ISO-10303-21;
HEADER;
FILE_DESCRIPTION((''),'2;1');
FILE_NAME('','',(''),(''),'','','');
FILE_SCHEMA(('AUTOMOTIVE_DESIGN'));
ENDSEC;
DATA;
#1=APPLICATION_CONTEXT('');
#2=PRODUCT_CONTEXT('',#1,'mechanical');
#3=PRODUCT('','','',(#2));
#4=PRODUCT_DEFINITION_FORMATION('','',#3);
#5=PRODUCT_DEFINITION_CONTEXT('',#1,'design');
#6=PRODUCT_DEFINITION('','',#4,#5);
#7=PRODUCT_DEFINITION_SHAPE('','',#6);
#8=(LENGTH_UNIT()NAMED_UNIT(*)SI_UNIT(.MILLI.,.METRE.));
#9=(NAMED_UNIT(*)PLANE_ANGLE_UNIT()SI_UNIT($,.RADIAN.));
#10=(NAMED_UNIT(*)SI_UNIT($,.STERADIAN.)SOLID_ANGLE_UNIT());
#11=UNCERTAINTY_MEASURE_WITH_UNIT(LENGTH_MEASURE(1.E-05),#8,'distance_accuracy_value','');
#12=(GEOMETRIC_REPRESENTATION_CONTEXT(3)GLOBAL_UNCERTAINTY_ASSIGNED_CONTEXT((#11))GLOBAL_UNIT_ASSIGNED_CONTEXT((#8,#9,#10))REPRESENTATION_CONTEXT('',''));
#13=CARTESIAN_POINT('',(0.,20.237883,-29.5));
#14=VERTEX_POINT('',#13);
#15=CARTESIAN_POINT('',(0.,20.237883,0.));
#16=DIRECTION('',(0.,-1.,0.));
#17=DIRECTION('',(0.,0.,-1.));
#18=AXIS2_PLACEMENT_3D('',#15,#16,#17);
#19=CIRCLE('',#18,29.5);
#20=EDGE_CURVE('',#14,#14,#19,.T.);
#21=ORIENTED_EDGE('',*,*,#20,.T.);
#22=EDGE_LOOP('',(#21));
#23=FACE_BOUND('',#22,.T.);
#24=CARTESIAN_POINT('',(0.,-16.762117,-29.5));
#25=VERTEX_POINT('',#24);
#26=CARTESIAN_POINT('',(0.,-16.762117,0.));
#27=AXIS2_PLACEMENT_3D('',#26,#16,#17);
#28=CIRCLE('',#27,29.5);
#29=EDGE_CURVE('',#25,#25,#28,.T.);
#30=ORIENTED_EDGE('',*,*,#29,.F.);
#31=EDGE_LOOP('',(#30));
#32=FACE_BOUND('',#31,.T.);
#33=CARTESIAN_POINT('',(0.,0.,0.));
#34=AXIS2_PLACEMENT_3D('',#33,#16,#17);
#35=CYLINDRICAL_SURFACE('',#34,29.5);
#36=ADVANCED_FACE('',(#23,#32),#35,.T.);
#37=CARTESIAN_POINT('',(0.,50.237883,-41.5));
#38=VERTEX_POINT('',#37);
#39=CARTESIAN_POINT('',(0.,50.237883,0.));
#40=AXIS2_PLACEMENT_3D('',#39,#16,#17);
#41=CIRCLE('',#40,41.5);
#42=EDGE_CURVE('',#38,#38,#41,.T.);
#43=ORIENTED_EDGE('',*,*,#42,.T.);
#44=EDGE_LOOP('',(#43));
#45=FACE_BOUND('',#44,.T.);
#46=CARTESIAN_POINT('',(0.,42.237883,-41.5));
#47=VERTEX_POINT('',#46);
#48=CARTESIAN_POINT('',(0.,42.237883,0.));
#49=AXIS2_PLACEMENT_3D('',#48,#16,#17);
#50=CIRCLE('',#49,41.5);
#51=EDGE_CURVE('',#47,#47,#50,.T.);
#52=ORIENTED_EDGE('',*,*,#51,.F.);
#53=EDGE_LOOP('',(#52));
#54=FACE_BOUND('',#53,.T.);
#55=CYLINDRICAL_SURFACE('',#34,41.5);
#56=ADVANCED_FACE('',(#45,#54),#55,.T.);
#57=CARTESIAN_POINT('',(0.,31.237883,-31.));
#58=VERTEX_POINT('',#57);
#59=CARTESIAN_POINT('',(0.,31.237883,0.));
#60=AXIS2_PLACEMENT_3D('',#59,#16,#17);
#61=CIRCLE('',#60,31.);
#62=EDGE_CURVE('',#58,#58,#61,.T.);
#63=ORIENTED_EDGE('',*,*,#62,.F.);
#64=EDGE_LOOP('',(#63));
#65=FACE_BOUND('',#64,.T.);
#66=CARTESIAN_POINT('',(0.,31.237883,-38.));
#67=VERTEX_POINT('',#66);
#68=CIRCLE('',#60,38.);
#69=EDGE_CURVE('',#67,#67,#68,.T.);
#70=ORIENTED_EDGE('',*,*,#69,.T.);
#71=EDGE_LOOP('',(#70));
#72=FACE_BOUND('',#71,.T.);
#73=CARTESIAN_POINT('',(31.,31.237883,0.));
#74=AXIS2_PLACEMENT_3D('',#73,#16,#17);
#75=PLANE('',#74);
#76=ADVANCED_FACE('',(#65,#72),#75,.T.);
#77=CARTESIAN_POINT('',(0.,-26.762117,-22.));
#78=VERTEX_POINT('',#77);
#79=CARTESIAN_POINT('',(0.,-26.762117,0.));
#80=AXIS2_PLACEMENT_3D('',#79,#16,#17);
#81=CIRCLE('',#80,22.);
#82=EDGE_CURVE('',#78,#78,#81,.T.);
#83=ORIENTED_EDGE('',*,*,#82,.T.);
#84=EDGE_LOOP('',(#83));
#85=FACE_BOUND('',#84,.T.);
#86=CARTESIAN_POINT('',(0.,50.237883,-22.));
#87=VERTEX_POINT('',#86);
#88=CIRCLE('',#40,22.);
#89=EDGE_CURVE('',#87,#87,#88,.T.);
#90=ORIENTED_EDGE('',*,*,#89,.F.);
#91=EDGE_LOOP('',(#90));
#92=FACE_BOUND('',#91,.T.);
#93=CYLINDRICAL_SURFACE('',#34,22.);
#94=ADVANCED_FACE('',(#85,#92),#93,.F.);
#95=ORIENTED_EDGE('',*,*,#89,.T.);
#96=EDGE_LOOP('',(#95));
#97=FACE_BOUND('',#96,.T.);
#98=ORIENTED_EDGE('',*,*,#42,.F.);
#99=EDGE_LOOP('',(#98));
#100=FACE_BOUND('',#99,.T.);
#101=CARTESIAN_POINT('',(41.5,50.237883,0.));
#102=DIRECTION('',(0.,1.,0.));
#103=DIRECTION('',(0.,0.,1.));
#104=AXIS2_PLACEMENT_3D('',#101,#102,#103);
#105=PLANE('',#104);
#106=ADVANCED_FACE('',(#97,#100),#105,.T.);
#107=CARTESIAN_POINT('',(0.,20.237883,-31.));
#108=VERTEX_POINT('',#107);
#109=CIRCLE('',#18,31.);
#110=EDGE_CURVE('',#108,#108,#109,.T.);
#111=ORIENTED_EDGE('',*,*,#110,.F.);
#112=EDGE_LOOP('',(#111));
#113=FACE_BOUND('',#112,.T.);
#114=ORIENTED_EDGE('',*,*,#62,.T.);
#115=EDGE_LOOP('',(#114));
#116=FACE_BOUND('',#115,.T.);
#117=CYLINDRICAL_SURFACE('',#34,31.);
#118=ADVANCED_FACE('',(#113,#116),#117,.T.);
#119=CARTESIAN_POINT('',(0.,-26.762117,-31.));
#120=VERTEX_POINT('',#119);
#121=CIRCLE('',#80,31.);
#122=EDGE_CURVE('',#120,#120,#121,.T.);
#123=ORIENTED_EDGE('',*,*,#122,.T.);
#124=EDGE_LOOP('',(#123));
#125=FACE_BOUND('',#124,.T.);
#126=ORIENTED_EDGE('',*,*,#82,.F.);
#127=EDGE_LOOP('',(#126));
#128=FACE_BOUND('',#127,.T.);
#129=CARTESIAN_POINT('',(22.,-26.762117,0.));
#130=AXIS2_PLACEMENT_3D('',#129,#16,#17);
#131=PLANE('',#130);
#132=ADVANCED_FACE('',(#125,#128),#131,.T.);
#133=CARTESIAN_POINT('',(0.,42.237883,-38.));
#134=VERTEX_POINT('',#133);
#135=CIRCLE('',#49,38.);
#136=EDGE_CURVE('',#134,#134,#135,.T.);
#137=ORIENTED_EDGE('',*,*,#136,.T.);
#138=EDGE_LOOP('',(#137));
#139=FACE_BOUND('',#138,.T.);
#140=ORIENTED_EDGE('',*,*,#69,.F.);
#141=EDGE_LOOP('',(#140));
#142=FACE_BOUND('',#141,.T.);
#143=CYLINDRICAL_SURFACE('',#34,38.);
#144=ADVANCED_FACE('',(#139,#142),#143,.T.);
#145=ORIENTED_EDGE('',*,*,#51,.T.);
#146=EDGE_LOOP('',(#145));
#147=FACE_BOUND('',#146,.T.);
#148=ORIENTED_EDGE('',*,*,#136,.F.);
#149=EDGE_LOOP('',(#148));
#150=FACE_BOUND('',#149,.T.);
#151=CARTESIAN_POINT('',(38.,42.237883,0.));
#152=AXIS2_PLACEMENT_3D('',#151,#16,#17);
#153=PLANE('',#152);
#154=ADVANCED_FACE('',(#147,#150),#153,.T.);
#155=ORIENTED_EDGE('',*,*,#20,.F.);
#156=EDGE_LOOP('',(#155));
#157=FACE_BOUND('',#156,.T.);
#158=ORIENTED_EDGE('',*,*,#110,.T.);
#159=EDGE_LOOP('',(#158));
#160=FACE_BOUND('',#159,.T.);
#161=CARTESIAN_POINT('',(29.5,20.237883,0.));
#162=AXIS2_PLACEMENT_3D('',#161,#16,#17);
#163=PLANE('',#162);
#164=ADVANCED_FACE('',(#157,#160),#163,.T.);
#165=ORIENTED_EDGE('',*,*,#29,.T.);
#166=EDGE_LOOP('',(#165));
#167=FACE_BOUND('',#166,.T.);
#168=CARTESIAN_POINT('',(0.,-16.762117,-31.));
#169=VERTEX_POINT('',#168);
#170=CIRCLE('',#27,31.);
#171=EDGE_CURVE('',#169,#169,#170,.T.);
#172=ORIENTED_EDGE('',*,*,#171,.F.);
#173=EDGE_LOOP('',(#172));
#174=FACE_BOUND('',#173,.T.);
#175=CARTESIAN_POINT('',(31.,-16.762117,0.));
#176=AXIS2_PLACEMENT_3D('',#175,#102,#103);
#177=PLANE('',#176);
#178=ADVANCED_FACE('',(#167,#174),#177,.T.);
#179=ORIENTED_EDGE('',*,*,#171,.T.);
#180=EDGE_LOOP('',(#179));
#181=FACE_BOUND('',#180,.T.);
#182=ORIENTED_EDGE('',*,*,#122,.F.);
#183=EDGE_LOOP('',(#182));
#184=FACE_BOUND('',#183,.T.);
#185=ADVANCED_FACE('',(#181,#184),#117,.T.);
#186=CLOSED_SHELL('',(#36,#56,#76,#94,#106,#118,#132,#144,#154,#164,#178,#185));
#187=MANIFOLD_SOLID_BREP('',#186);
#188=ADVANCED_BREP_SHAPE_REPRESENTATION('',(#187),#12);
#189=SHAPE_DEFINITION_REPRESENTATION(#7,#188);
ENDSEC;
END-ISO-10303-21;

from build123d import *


with BuildPart() as part:
    # Sketch1 → Revolve1 (revolve)
    with BuildSketch(Plane.XY, mode=Mode.PRIVATE) as revolve1_sk:
        Polygon((22, 50.237882563), (22, -26.762117437), (31, -26.762117437), (31, -16.762117437), (29.5, -16.762117437), (29.5, 20.237882563), (31, 20.237882563), (31, 31.237882563), (38, 31.237882563), (38, 42.237882563), (41.5, 42.237882563), (41.5, 50.237882563), align=None)
    revolve(revolve1_sk.sketch.rotate(Axis((0, 0, 0), (0, 1, 0)), 90), axis=Axis((0, 0, 0), (0, 1, 0)))  # turned: the seam where the file's is


solid = part.part
